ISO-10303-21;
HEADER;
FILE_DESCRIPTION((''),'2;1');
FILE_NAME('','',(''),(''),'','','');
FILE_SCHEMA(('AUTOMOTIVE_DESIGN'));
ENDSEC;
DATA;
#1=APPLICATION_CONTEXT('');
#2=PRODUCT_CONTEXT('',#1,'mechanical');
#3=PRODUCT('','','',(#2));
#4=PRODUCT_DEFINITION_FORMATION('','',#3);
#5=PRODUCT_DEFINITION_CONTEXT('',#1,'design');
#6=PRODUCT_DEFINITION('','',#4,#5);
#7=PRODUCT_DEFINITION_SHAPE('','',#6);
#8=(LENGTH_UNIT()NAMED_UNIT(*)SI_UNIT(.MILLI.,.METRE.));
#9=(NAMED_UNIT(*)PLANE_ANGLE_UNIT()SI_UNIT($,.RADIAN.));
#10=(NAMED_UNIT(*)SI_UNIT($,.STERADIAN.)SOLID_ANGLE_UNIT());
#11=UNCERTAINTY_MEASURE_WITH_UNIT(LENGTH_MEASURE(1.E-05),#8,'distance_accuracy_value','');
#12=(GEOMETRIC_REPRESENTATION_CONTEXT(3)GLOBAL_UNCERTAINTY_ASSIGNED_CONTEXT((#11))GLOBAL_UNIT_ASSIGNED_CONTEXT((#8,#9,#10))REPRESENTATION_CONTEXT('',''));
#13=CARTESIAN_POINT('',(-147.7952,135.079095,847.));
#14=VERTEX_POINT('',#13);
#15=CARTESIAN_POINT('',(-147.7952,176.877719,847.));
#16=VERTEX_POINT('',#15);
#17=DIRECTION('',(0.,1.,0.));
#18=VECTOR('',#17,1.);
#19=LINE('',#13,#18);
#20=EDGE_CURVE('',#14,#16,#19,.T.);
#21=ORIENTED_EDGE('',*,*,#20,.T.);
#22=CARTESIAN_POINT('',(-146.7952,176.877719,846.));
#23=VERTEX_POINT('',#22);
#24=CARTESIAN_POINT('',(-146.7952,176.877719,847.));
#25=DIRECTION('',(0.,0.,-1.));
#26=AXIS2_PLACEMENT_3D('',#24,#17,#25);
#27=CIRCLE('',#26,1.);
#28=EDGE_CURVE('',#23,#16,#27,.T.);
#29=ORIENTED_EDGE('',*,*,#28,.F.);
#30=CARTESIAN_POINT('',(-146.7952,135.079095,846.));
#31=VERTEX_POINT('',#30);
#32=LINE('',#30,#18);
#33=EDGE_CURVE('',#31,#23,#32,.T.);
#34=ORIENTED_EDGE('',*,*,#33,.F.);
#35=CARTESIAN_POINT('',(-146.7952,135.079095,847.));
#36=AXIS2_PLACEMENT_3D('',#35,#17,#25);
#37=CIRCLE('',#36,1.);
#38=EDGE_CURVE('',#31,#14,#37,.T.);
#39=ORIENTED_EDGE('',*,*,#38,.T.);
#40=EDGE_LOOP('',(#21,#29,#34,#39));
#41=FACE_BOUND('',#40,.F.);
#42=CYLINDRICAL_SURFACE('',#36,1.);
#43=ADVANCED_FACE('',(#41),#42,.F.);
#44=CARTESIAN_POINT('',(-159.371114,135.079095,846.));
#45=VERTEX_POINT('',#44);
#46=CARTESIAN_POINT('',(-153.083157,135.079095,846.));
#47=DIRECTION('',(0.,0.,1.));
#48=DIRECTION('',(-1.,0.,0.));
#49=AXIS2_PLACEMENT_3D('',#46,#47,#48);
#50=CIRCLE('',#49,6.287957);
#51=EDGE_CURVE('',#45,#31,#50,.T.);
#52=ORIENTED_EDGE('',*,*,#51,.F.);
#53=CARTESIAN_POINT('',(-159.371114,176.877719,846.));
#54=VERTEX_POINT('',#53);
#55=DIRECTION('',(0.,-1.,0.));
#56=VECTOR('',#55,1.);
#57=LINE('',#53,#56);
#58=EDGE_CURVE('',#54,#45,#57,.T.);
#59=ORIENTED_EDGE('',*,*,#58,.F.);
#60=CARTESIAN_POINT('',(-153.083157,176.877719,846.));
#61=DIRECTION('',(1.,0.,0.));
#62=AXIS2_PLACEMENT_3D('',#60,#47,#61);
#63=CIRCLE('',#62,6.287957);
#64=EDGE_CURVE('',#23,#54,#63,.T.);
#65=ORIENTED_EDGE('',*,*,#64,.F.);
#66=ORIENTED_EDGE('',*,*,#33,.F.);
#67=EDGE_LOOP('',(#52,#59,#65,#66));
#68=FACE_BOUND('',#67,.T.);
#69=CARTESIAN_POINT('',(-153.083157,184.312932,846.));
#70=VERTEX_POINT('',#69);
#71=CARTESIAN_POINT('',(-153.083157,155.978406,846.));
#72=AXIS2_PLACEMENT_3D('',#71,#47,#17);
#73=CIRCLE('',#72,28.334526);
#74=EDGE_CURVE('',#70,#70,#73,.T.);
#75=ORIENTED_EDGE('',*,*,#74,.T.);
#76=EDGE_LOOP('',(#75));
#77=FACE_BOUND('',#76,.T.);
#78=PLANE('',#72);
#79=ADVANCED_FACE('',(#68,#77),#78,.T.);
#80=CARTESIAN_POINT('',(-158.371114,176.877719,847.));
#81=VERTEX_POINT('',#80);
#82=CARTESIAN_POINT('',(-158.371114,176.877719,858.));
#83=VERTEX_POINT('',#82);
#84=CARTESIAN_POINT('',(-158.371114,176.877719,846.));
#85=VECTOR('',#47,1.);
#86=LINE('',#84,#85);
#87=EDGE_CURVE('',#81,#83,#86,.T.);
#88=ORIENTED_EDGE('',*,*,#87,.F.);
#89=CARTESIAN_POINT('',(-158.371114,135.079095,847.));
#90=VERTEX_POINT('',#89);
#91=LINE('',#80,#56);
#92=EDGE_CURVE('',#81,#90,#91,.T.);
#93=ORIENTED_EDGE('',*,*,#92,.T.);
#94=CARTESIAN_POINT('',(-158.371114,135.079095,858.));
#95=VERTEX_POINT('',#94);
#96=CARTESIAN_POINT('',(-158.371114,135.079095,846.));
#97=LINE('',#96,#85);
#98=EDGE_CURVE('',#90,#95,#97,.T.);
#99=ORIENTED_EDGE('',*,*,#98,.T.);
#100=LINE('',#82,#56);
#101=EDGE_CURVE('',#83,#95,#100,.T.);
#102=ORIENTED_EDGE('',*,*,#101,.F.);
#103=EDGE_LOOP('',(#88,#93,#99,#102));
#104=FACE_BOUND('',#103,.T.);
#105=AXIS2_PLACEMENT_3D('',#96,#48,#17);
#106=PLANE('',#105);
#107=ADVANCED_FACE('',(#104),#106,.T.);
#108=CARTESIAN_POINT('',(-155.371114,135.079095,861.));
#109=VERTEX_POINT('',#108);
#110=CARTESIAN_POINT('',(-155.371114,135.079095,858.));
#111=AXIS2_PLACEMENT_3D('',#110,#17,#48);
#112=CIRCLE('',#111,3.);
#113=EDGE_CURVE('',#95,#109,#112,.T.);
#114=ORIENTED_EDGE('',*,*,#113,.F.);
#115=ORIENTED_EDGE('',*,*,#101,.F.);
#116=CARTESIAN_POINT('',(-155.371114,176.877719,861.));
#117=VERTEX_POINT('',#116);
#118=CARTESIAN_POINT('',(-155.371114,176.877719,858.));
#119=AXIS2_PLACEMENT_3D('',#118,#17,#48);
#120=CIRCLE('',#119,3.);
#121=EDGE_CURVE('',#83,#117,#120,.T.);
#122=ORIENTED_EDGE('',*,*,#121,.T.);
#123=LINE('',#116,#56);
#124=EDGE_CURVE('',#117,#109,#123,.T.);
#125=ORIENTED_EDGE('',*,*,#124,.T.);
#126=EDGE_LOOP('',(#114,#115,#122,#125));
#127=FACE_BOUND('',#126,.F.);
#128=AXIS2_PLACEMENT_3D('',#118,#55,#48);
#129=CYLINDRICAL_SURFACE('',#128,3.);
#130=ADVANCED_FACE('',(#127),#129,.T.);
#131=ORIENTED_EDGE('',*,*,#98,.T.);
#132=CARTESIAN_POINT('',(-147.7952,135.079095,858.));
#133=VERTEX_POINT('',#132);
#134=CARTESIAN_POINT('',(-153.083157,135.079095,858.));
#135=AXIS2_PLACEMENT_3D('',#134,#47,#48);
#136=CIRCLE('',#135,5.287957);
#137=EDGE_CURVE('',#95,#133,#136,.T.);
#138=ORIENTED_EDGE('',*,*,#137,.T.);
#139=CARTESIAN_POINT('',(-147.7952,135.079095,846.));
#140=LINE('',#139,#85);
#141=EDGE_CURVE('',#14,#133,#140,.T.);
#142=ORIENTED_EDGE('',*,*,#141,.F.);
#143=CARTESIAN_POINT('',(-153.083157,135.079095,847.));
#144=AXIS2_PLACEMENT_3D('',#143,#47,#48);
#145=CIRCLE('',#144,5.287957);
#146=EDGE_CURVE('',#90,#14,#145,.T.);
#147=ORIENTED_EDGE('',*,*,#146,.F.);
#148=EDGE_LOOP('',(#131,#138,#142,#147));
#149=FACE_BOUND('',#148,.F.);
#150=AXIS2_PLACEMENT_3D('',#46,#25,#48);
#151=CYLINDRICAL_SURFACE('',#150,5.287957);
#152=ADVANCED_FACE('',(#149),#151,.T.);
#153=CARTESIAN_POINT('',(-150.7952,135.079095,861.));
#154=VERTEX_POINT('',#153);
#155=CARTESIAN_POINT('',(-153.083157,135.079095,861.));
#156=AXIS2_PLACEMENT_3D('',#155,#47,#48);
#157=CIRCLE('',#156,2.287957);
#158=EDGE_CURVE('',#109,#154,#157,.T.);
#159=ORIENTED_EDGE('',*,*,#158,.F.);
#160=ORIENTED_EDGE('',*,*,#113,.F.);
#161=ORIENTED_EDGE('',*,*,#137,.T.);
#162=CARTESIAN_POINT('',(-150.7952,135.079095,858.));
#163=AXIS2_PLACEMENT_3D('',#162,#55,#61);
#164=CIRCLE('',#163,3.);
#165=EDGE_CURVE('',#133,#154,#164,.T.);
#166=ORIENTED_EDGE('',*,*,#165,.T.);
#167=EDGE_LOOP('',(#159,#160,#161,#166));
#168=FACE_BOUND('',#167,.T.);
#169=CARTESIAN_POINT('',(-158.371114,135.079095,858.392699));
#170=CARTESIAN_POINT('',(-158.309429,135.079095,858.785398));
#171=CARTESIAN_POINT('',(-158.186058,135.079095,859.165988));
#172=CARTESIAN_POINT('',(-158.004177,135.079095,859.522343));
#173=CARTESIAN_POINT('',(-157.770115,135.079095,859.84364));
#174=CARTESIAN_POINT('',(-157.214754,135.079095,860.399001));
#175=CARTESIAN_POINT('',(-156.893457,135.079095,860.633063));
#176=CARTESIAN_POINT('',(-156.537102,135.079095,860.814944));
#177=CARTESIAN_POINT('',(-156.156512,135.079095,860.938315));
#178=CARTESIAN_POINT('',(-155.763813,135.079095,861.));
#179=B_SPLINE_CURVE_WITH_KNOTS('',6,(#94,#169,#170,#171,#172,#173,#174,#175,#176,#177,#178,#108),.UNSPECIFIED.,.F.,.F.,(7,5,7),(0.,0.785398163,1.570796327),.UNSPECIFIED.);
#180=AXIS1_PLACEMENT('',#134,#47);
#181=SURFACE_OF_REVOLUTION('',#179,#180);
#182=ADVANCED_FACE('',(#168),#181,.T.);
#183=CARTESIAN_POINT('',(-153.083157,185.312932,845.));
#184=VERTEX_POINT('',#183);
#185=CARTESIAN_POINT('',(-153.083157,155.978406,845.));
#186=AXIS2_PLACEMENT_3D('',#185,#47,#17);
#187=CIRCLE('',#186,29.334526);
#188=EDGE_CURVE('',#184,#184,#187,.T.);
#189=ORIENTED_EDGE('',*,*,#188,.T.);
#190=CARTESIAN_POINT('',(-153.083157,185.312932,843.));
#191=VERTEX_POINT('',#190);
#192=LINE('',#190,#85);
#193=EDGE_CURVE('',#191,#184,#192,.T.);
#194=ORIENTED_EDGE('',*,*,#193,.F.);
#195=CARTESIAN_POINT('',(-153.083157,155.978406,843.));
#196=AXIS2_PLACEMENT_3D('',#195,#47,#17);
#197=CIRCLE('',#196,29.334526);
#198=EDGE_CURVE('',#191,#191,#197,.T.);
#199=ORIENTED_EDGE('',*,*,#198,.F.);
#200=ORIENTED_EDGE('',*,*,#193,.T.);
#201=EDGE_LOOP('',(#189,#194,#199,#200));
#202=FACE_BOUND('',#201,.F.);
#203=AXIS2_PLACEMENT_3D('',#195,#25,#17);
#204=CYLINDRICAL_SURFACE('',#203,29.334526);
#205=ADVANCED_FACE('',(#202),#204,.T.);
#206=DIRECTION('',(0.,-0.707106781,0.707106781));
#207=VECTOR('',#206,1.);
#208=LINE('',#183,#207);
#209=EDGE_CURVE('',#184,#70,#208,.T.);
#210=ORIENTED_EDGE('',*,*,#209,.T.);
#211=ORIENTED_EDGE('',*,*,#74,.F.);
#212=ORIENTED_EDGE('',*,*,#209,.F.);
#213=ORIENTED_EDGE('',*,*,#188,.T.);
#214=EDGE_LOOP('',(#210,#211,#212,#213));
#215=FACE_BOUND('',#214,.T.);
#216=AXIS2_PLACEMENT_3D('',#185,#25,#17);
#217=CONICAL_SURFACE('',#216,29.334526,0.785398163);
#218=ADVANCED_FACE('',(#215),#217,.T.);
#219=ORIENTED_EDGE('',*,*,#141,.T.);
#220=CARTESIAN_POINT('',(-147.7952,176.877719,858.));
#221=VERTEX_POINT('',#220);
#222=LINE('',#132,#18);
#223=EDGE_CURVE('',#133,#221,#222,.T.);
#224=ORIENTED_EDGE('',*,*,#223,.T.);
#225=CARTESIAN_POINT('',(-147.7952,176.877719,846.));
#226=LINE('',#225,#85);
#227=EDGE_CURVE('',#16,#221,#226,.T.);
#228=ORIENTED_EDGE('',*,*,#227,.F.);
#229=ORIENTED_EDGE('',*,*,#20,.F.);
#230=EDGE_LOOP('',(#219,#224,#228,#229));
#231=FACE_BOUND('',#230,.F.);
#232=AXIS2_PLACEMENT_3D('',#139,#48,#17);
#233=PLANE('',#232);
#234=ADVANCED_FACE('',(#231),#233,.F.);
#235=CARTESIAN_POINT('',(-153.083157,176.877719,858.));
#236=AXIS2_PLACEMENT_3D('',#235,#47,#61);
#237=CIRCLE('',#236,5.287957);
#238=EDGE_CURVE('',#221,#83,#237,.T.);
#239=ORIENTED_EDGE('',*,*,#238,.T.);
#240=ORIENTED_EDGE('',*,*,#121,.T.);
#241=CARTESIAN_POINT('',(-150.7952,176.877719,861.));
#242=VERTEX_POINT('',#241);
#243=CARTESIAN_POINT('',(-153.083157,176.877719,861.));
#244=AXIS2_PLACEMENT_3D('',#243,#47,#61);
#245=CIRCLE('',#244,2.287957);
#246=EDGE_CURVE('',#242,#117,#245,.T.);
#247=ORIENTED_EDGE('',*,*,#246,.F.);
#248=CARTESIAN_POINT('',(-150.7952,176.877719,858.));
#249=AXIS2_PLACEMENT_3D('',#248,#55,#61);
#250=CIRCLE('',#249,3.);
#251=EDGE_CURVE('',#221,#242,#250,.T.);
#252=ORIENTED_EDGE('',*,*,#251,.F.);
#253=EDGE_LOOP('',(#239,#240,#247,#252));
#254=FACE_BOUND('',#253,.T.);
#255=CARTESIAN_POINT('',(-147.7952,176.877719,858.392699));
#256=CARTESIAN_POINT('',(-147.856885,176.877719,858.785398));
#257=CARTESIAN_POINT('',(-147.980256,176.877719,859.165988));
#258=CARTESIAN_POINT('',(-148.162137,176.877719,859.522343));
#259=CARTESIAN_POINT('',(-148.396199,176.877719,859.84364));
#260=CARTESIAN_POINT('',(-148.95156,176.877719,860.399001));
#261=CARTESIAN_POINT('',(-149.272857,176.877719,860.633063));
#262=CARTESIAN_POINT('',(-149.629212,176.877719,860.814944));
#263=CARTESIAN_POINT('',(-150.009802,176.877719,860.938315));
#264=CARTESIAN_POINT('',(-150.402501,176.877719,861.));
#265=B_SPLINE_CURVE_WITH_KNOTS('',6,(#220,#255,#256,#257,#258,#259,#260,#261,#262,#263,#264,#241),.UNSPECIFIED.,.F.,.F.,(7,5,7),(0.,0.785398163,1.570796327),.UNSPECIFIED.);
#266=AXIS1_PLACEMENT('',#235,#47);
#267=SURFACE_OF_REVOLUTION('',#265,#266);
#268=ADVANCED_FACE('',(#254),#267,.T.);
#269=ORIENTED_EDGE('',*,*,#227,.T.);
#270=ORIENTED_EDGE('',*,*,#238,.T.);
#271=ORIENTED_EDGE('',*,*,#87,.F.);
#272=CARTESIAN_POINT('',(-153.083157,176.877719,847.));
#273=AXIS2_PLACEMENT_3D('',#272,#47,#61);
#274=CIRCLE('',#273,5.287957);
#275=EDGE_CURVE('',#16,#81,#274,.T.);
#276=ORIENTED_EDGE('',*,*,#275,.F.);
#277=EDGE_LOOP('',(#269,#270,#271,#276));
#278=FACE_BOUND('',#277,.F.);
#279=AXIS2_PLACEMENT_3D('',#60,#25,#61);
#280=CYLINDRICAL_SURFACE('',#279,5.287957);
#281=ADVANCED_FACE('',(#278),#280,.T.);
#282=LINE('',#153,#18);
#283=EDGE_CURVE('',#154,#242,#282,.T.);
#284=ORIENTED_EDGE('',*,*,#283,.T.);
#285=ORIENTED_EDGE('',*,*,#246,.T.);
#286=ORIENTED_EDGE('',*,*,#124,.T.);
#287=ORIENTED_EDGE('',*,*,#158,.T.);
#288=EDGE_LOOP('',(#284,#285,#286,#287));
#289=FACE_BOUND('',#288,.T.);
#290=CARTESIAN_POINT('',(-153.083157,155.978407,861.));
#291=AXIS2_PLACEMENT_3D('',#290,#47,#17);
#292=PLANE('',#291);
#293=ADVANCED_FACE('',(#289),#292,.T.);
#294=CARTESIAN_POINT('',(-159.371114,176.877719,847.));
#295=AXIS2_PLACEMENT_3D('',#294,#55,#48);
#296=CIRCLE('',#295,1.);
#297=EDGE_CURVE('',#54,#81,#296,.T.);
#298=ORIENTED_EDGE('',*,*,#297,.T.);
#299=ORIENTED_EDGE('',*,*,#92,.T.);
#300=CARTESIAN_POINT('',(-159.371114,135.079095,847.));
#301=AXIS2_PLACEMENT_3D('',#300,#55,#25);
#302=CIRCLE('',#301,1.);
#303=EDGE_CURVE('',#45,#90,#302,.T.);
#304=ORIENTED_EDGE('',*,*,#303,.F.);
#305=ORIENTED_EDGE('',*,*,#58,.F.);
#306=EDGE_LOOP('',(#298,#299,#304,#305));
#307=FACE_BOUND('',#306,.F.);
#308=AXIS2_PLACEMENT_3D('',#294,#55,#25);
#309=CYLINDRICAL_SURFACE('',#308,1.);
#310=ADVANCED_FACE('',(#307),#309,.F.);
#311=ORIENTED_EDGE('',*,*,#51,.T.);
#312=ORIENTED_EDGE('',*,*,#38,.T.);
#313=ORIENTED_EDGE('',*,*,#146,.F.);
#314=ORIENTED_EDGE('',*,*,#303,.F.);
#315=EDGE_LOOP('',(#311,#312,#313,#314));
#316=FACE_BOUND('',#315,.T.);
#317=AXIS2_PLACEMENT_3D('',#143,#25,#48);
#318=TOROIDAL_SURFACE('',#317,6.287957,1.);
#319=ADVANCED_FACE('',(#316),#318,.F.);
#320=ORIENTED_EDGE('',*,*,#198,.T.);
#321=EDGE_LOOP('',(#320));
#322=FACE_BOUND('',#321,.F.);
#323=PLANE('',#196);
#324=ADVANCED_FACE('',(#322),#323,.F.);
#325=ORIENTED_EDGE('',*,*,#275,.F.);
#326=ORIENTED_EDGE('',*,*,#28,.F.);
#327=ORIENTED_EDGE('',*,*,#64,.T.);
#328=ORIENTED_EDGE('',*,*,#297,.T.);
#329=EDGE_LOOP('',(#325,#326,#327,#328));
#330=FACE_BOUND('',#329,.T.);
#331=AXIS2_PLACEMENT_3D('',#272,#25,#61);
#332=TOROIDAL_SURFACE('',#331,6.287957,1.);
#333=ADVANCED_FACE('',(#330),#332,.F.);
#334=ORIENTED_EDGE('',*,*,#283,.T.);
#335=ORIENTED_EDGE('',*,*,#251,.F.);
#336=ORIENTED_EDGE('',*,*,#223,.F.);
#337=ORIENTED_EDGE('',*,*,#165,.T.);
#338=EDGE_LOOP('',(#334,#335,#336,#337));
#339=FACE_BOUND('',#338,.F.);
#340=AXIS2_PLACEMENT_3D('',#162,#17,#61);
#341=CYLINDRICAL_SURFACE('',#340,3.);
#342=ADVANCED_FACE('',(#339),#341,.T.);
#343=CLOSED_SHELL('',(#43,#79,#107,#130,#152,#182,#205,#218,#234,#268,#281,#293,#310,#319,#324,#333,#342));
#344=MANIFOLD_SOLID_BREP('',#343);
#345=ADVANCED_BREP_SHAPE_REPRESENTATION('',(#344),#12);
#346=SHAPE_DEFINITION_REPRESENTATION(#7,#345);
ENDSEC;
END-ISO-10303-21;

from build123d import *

# Parameters (mm, degrees)
SKETCH016_R     = 29.334526
PAD012_DEPTH    = 3
PAD013_DEPTH    = 15
CHAMFER001_SIZE = 1
FILLET009_R     = 1
FILLET010_R     = 3


with BuildPart() as part:
    # Sketch016 (on DatumPlane) → Pad012 (new body)
    with BuildSketch(Plane(origin=(-153.083157, 155.978406, 843), x_dir=(0, 1, 0), z_dir=(0, 0, 1))):
        Circle(SKETCH016_R)
    extrude(amount=PAD012_DEPTH)

    # Sketch017 (on Face3 of Pad012) → Pad013 (join)
    with BuildSketch(Plane(origin=(-153.083157, 155.978406, 846), x_dir=(0, 1, 0), z_dir=(0, 0, 1))):
        with BuildLine():
            ThreePointArc((-20.899311, 5.287957), (-26.187268, 0), (-20.899311, -5.287957))
            Line((-20.899311, -5.287957), (20.899313, -5.287957))
            ThreePointArc((20.899313, -5.287957), (26.18727, 0), (20.899313, 5.287957))
            Line((-20.899311, 5.287957), (20.899313, 5.287957))
        make_face()
    extrude(amount=PAD013_DEPTH)

    # Chamfer001
    chamfer001_edges = [part.edges().sort_by_distance(p)[0] for p in [
        (-153.083157, 126.64388, 846),
    ]]
    chamfer(chamfer001_edges, length=CHAMFER001_SIZE)

    # Fillet009
    fillet009_edges = [part.edges().sort_by_distance(p)[0] for p in [
        (-147.7952, 155.978406, 846),
    ]]
    fillet(fillet009_edges, radius=FILLET009_R)

    # Fillet010
    fillet010_edges = [part.edges().sort_by_distance(p)[0] for p in [
        (-147.7952, 155.978406, 861),
    ]]
    fillet(fillet010_edges, radius=FILLET010_R)


solid = part.part
